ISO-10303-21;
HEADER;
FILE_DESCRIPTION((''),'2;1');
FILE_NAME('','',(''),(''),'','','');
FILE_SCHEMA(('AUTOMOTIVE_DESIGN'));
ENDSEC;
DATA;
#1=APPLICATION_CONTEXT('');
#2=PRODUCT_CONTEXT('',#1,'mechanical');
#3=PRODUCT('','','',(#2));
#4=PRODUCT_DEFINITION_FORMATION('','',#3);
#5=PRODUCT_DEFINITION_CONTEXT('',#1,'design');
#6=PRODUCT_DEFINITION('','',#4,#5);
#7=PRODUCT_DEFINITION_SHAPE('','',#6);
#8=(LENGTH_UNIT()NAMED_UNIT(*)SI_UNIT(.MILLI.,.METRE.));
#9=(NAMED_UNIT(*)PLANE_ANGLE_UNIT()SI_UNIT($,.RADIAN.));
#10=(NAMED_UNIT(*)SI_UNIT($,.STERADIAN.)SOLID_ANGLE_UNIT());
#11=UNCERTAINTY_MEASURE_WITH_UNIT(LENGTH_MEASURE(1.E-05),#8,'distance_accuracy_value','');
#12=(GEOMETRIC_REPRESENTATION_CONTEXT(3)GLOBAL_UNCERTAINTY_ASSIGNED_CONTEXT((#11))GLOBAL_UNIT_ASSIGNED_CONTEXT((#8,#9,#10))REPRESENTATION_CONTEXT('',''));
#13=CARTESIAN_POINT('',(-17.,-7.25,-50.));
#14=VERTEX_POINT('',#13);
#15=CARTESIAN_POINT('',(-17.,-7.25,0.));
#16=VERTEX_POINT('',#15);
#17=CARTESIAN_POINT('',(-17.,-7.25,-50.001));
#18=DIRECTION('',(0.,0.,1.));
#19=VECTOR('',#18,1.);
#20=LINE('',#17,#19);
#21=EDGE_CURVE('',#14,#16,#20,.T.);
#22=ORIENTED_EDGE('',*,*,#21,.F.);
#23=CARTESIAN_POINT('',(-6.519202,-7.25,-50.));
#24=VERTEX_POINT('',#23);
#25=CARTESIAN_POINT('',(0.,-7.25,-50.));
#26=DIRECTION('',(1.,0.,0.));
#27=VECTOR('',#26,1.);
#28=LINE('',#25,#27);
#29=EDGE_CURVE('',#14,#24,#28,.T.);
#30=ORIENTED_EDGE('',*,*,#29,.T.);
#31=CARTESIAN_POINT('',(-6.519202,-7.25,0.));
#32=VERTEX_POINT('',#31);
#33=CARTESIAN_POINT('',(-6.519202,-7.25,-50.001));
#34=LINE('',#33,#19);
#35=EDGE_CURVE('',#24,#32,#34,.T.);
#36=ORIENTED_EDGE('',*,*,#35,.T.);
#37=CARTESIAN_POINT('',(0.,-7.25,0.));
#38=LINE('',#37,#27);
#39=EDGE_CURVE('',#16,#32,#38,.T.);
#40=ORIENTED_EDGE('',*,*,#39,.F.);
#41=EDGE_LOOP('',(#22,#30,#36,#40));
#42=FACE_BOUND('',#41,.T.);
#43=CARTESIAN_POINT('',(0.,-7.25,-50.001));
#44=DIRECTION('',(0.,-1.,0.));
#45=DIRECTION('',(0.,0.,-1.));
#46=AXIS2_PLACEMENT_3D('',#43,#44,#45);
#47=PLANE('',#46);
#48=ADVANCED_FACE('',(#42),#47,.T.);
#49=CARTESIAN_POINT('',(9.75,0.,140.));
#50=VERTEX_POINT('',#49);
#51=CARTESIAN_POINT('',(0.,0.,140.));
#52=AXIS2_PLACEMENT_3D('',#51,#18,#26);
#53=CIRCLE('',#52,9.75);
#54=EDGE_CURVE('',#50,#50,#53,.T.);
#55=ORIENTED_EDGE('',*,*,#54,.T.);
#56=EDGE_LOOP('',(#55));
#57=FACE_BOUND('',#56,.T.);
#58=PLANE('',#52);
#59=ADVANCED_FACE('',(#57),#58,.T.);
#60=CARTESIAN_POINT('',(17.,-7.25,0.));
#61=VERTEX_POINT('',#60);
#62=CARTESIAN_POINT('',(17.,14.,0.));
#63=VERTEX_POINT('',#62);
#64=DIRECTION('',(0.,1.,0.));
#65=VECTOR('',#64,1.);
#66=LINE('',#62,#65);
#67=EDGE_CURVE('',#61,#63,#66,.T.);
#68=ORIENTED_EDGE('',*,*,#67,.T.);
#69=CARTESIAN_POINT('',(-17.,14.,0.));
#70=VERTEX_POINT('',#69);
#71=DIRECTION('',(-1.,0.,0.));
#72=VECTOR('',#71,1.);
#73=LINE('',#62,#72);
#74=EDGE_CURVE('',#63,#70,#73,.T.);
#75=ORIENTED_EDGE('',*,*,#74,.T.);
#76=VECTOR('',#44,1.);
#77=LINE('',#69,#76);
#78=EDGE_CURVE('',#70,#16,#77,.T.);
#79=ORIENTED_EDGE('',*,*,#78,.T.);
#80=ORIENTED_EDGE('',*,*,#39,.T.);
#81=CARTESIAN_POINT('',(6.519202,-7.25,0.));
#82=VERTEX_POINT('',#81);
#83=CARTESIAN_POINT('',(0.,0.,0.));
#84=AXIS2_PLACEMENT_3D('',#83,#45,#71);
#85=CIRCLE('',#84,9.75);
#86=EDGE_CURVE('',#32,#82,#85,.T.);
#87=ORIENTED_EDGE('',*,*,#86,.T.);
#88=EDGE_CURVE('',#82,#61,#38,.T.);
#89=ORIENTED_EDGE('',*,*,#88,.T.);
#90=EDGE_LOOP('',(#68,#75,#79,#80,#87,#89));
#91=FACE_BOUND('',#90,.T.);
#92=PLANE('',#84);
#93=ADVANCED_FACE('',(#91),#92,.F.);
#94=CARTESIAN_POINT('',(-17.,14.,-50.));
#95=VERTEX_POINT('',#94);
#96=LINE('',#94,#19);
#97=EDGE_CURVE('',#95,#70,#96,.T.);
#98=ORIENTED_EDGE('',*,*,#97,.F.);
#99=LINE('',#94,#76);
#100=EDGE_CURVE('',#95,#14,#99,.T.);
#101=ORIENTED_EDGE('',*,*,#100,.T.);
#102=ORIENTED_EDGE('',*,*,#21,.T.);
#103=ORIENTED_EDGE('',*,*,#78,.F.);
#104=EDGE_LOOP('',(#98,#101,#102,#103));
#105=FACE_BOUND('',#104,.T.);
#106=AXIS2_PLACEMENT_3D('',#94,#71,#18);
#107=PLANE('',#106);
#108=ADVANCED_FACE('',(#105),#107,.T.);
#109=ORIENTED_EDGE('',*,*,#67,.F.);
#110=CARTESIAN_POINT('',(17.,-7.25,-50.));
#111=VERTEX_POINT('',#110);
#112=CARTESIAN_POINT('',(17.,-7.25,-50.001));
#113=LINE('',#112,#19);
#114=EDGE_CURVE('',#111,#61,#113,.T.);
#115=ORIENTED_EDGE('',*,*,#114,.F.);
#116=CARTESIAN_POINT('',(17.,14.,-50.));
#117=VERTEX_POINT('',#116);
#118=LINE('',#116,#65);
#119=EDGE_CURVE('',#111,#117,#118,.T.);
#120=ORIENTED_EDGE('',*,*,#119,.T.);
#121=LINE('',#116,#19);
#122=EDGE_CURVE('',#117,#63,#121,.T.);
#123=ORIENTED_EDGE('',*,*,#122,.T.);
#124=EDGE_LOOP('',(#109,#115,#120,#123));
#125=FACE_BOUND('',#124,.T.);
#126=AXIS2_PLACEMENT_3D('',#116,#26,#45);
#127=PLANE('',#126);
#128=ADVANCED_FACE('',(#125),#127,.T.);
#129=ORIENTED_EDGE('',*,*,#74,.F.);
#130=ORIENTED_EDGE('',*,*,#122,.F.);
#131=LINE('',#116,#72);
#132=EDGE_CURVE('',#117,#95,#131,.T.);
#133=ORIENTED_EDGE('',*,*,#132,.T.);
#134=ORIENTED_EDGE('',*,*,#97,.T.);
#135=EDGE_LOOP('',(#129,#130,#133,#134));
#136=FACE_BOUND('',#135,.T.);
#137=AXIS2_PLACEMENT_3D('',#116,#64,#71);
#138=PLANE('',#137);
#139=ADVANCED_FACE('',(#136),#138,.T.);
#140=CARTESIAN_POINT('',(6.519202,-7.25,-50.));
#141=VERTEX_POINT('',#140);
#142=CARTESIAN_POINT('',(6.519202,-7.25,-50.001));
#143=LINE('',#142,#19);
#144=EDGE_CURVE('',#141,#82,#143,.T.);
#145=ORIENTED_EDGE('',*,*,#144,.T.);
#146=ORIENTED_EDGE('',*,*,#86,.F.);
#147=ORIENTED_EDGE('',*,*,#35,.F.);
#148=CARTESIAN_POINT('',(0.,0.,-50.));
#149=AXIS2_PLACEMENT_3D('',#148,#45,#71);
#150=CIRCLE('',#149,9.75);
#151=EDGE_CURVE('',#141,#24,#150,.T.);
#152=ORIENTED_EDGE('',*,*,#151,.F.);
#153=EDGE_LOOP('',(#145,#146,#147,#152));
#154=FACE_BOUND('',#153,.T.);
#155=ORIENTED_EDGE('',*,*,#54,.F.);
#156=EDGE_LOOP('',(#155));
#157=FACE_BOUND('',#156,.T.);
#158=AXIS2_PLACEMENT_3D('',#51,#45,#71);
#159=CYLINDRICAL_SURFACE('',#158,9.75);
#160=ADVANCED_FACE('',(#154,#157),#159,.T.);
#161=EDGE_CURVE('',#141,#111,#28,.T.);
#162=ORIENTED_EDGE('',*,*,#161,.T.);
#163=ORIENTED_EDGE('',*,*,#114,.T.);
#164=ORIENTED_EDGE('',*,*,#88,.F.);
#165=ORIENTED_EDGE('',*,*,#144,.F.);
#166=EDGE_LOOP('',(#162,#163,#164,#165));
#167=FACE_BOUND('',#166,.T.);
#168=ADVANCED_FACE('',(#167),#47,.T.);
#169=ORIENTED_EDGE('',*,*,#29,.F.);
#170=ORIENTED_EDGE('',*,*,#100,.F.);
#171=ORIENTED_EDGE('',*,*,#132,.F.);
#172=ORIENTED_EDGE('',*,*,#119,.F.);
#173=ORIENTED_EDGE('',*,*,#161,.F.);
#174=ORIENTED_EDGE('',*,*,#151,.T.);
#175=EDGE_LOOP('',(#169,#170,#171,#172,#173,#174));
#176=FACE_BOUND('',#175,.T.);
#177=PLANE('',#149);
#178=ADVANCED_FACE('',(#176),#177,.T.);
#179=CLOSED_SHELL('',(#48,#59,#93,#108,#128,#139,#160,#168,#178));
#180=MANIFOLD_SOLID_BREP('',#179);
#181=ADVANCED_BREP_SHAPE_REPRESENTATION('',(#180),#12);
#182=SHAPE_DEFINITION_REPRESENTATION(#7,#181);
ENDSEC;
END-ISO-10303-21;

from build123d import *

# Parameters (mm, degrees)
SKETCH_1_R          = 9.75
EXTRUDE_1_DEPTH     = 140
SKETCH_2_W          = 34
SKETCH_2_H          = 24
EXTRUDE_2_DEPTH     = 50
CUT_EXTRUDE_1_REACH = 143.722


with BuildPart() as part:
    # 스케치1 → 보스-돌출1 (new body)
    with BuildSketch(Plane.XY):
        Circle(SKETCH_1_R)
    extrude(amount=EXTRUDE_1_DEPTH)

    # 스케치2 → 보스-돌출2 (add)
    with BuildSketch(Plane.XY):
        with Locations((0, 2)):
            Rectangle(SKETCH_2_W, SKETCH_2_H)
    extrude(amount=-EXTRUDE_2_DEPTH)

    # 스케치3 → 컷-돌출1 (cut, up to next)
    with BuildSketch(Plane.XY, mode=Mode.PRIVATE) as cut_extrude_1_sk1:
        with BuildLine():
            Line((-6.519202405, -7.25), (-17, -7.25))
            Line((-17, -7.25), (-17, -10))
            Line((-17, -10), (17, -10))
            Line((17, -10), (17, -7.25))
            Line((17, -7.25), (6.519202405, -7.25))
            ThreePointArc((6.519202405, -7.25), (0, -9.75), (-6.519202405, -7.25))
        make_face()
    cut_extrude_1_tool1 = extrude(cut_extrude_1_sk1.sketch, amount=-CUT_EXTRUDE_1_REACH, mode=Mode.PRIVATE) & part.part
    add(cut_extrude_1_tool1.solids().sort_by_distance((0, -9.784111, 0))[0], mode=Mode.SUBTRACT)


solid = part.part
